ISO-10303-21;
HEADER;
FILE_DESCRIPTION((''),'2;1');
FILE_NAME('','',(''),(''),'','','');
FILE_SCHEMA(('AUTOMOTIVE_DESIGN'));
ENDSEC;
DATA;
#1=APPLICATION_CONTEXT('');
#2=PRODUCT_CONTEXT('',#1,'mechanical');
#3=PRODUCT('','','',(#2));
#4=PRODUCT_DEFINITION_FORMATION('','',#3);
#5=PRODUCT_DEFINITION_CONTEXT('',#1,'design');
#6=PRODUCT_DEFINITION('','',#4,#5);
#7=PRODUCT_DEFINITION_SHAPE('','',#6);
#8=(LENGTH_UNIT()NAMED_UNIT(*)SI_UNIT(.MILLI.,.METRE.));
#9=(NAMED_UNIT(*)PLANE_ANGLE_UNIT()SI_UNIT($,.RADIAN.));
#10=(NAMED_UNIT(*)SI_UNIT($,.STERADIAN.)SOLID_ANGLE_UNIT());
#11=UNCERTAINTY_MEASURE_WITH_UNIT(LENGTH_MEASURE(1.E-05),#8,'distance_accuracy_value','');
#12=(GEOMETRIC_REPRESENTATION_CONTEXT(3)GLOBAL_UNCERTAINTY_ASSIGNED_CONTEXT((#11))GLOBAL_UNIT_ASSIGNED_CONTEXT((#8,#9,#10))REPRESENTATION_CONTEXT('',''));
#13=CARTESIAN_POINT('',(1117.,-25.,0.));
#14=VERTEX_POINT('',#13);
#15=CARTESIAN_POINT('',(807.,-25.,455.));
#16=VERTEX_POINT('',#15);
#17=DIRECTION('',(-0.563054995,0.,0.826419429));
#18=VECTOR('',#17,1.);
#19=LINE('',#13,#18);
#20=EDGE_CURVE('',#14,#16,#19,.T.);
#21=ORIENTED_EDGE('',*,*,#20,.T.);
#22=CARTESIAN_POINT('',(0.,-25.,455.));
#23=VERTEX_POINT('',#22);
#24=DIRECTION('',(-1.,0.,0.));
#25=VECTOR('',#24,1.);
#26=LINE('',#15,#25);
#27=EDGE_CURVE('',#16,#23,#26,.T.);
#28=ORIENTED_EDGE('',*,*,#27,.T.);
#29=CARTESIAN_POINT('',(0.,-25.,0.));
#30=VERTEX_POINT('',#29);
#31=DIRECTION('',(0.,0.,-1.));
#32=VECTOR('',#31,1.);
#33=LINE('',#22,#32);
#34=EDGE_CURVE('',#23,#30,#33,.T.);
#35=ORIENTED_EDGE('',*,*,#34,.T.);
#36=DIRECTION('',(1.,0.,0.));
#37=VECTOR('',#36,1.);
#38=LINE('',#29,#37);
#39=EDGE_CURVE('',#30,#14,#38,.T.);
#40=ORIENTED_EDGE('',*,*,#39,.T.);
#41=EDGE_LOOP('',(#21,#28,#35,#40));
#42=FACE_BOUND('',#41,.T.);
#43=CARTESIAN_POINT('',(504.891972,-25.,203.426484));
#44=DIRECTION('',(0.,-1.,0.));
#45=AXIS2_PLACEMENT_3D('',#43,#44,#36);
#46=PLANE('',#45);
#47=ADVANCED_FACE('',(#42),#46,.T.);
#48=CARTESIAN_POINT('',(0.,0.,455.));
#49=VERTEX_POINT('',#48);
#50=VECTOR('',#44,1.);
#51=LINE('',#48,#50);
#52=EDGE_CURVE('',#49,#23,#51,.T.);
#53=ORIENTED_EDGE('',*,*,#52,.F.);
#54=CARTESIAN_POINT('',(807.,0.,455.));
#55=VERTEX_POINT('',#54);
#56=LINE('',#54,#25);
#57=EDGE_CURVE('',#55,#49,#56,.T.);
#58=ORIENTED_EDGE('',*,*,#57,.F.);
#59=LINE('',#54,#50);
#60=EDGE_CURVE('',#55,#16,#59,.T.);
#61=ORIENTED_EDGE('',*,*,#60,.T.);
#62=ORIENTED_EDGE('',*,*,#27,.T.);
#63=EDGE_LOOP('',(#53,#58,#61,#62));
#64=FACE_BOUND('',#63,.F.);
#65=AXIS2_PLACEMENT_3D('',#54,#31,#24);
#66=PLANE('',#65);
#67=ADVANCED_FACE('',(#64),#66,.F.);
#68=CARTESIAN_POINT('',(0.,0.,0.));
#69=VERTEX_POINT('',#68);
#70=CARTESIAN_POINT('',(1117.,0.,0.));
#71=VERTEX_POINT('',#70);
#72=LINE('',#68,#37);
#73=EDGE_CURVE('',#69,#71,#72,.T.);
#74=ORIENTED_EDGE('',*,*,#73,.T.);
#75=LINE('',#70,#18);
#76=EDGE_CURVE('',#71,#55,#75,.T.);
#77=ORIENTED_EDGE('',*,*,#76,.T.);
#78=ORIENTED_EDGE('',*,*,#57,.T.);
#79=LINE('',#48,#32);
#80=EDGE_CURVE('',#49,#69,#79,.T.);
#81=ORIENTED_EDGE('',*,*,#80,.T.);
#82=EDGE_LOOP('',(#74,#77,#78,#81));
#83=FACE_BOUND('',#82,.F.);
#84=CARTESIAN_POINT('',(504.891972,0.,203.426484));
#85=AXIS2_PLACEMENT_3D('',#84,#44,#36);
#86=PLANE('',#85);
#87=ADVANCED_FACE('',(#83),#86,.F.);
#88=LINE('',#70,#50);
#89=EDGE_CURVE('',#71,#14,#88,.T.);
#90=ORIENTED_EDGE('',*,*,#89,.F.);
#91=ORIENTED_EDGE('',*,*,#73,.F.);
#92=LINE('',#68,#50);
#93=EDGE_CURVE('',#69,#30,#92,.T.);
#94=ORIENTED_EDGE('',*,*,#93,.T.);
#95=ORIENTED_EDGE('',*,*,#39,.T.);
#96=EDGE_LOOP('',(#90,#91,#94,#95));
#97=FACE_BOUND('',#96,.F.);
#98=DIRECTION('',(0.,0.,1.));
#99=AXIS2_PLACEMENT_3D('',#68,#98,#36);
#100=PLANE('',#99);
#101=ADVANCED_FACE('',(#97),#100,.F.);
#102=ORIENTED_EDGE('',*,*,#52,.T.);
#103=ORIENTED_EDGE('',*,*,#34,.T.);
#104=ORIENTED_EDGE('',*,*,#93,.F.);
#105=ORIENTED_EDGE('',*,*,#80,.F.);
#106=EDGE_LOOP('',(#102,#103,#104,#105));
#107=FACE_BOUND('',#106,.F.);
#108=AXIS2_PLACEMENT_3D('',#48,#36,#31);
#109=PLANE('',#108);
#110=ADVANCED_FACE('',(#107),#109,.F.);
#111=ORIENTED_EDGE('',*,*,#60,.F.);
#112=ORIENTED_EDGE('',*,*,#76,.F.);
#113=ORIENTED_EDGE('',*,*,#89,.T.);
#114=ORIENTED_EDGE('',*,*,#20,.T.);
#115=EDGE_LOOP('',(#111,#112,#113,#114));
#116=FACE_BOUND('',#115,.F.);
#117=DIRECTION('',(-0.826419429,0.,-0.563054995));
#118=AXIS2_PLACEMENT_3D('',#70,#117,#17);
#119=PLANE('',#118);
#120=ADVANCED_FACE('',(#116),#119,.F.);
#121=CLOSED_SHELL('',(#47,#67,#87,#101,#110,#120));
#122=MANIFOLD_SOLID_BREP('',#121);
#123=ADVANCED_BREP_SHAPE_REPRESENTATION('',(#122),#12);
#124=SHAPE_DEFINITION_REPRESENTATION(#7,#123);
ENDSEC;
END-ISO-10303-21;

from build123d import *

# Parameters (mm, degrees)
F1_DEPTH = 25


with BuildPart() as f1:
    # F0 (on Front) → F1 (new body)
    with BuildSketch(Plane.XZ):
        Polygon((0, 455), (0, 0), (1117, 0), (807, 455), align=None)
    extrude(amount=F1_DEPTH)


solid = f1.part
